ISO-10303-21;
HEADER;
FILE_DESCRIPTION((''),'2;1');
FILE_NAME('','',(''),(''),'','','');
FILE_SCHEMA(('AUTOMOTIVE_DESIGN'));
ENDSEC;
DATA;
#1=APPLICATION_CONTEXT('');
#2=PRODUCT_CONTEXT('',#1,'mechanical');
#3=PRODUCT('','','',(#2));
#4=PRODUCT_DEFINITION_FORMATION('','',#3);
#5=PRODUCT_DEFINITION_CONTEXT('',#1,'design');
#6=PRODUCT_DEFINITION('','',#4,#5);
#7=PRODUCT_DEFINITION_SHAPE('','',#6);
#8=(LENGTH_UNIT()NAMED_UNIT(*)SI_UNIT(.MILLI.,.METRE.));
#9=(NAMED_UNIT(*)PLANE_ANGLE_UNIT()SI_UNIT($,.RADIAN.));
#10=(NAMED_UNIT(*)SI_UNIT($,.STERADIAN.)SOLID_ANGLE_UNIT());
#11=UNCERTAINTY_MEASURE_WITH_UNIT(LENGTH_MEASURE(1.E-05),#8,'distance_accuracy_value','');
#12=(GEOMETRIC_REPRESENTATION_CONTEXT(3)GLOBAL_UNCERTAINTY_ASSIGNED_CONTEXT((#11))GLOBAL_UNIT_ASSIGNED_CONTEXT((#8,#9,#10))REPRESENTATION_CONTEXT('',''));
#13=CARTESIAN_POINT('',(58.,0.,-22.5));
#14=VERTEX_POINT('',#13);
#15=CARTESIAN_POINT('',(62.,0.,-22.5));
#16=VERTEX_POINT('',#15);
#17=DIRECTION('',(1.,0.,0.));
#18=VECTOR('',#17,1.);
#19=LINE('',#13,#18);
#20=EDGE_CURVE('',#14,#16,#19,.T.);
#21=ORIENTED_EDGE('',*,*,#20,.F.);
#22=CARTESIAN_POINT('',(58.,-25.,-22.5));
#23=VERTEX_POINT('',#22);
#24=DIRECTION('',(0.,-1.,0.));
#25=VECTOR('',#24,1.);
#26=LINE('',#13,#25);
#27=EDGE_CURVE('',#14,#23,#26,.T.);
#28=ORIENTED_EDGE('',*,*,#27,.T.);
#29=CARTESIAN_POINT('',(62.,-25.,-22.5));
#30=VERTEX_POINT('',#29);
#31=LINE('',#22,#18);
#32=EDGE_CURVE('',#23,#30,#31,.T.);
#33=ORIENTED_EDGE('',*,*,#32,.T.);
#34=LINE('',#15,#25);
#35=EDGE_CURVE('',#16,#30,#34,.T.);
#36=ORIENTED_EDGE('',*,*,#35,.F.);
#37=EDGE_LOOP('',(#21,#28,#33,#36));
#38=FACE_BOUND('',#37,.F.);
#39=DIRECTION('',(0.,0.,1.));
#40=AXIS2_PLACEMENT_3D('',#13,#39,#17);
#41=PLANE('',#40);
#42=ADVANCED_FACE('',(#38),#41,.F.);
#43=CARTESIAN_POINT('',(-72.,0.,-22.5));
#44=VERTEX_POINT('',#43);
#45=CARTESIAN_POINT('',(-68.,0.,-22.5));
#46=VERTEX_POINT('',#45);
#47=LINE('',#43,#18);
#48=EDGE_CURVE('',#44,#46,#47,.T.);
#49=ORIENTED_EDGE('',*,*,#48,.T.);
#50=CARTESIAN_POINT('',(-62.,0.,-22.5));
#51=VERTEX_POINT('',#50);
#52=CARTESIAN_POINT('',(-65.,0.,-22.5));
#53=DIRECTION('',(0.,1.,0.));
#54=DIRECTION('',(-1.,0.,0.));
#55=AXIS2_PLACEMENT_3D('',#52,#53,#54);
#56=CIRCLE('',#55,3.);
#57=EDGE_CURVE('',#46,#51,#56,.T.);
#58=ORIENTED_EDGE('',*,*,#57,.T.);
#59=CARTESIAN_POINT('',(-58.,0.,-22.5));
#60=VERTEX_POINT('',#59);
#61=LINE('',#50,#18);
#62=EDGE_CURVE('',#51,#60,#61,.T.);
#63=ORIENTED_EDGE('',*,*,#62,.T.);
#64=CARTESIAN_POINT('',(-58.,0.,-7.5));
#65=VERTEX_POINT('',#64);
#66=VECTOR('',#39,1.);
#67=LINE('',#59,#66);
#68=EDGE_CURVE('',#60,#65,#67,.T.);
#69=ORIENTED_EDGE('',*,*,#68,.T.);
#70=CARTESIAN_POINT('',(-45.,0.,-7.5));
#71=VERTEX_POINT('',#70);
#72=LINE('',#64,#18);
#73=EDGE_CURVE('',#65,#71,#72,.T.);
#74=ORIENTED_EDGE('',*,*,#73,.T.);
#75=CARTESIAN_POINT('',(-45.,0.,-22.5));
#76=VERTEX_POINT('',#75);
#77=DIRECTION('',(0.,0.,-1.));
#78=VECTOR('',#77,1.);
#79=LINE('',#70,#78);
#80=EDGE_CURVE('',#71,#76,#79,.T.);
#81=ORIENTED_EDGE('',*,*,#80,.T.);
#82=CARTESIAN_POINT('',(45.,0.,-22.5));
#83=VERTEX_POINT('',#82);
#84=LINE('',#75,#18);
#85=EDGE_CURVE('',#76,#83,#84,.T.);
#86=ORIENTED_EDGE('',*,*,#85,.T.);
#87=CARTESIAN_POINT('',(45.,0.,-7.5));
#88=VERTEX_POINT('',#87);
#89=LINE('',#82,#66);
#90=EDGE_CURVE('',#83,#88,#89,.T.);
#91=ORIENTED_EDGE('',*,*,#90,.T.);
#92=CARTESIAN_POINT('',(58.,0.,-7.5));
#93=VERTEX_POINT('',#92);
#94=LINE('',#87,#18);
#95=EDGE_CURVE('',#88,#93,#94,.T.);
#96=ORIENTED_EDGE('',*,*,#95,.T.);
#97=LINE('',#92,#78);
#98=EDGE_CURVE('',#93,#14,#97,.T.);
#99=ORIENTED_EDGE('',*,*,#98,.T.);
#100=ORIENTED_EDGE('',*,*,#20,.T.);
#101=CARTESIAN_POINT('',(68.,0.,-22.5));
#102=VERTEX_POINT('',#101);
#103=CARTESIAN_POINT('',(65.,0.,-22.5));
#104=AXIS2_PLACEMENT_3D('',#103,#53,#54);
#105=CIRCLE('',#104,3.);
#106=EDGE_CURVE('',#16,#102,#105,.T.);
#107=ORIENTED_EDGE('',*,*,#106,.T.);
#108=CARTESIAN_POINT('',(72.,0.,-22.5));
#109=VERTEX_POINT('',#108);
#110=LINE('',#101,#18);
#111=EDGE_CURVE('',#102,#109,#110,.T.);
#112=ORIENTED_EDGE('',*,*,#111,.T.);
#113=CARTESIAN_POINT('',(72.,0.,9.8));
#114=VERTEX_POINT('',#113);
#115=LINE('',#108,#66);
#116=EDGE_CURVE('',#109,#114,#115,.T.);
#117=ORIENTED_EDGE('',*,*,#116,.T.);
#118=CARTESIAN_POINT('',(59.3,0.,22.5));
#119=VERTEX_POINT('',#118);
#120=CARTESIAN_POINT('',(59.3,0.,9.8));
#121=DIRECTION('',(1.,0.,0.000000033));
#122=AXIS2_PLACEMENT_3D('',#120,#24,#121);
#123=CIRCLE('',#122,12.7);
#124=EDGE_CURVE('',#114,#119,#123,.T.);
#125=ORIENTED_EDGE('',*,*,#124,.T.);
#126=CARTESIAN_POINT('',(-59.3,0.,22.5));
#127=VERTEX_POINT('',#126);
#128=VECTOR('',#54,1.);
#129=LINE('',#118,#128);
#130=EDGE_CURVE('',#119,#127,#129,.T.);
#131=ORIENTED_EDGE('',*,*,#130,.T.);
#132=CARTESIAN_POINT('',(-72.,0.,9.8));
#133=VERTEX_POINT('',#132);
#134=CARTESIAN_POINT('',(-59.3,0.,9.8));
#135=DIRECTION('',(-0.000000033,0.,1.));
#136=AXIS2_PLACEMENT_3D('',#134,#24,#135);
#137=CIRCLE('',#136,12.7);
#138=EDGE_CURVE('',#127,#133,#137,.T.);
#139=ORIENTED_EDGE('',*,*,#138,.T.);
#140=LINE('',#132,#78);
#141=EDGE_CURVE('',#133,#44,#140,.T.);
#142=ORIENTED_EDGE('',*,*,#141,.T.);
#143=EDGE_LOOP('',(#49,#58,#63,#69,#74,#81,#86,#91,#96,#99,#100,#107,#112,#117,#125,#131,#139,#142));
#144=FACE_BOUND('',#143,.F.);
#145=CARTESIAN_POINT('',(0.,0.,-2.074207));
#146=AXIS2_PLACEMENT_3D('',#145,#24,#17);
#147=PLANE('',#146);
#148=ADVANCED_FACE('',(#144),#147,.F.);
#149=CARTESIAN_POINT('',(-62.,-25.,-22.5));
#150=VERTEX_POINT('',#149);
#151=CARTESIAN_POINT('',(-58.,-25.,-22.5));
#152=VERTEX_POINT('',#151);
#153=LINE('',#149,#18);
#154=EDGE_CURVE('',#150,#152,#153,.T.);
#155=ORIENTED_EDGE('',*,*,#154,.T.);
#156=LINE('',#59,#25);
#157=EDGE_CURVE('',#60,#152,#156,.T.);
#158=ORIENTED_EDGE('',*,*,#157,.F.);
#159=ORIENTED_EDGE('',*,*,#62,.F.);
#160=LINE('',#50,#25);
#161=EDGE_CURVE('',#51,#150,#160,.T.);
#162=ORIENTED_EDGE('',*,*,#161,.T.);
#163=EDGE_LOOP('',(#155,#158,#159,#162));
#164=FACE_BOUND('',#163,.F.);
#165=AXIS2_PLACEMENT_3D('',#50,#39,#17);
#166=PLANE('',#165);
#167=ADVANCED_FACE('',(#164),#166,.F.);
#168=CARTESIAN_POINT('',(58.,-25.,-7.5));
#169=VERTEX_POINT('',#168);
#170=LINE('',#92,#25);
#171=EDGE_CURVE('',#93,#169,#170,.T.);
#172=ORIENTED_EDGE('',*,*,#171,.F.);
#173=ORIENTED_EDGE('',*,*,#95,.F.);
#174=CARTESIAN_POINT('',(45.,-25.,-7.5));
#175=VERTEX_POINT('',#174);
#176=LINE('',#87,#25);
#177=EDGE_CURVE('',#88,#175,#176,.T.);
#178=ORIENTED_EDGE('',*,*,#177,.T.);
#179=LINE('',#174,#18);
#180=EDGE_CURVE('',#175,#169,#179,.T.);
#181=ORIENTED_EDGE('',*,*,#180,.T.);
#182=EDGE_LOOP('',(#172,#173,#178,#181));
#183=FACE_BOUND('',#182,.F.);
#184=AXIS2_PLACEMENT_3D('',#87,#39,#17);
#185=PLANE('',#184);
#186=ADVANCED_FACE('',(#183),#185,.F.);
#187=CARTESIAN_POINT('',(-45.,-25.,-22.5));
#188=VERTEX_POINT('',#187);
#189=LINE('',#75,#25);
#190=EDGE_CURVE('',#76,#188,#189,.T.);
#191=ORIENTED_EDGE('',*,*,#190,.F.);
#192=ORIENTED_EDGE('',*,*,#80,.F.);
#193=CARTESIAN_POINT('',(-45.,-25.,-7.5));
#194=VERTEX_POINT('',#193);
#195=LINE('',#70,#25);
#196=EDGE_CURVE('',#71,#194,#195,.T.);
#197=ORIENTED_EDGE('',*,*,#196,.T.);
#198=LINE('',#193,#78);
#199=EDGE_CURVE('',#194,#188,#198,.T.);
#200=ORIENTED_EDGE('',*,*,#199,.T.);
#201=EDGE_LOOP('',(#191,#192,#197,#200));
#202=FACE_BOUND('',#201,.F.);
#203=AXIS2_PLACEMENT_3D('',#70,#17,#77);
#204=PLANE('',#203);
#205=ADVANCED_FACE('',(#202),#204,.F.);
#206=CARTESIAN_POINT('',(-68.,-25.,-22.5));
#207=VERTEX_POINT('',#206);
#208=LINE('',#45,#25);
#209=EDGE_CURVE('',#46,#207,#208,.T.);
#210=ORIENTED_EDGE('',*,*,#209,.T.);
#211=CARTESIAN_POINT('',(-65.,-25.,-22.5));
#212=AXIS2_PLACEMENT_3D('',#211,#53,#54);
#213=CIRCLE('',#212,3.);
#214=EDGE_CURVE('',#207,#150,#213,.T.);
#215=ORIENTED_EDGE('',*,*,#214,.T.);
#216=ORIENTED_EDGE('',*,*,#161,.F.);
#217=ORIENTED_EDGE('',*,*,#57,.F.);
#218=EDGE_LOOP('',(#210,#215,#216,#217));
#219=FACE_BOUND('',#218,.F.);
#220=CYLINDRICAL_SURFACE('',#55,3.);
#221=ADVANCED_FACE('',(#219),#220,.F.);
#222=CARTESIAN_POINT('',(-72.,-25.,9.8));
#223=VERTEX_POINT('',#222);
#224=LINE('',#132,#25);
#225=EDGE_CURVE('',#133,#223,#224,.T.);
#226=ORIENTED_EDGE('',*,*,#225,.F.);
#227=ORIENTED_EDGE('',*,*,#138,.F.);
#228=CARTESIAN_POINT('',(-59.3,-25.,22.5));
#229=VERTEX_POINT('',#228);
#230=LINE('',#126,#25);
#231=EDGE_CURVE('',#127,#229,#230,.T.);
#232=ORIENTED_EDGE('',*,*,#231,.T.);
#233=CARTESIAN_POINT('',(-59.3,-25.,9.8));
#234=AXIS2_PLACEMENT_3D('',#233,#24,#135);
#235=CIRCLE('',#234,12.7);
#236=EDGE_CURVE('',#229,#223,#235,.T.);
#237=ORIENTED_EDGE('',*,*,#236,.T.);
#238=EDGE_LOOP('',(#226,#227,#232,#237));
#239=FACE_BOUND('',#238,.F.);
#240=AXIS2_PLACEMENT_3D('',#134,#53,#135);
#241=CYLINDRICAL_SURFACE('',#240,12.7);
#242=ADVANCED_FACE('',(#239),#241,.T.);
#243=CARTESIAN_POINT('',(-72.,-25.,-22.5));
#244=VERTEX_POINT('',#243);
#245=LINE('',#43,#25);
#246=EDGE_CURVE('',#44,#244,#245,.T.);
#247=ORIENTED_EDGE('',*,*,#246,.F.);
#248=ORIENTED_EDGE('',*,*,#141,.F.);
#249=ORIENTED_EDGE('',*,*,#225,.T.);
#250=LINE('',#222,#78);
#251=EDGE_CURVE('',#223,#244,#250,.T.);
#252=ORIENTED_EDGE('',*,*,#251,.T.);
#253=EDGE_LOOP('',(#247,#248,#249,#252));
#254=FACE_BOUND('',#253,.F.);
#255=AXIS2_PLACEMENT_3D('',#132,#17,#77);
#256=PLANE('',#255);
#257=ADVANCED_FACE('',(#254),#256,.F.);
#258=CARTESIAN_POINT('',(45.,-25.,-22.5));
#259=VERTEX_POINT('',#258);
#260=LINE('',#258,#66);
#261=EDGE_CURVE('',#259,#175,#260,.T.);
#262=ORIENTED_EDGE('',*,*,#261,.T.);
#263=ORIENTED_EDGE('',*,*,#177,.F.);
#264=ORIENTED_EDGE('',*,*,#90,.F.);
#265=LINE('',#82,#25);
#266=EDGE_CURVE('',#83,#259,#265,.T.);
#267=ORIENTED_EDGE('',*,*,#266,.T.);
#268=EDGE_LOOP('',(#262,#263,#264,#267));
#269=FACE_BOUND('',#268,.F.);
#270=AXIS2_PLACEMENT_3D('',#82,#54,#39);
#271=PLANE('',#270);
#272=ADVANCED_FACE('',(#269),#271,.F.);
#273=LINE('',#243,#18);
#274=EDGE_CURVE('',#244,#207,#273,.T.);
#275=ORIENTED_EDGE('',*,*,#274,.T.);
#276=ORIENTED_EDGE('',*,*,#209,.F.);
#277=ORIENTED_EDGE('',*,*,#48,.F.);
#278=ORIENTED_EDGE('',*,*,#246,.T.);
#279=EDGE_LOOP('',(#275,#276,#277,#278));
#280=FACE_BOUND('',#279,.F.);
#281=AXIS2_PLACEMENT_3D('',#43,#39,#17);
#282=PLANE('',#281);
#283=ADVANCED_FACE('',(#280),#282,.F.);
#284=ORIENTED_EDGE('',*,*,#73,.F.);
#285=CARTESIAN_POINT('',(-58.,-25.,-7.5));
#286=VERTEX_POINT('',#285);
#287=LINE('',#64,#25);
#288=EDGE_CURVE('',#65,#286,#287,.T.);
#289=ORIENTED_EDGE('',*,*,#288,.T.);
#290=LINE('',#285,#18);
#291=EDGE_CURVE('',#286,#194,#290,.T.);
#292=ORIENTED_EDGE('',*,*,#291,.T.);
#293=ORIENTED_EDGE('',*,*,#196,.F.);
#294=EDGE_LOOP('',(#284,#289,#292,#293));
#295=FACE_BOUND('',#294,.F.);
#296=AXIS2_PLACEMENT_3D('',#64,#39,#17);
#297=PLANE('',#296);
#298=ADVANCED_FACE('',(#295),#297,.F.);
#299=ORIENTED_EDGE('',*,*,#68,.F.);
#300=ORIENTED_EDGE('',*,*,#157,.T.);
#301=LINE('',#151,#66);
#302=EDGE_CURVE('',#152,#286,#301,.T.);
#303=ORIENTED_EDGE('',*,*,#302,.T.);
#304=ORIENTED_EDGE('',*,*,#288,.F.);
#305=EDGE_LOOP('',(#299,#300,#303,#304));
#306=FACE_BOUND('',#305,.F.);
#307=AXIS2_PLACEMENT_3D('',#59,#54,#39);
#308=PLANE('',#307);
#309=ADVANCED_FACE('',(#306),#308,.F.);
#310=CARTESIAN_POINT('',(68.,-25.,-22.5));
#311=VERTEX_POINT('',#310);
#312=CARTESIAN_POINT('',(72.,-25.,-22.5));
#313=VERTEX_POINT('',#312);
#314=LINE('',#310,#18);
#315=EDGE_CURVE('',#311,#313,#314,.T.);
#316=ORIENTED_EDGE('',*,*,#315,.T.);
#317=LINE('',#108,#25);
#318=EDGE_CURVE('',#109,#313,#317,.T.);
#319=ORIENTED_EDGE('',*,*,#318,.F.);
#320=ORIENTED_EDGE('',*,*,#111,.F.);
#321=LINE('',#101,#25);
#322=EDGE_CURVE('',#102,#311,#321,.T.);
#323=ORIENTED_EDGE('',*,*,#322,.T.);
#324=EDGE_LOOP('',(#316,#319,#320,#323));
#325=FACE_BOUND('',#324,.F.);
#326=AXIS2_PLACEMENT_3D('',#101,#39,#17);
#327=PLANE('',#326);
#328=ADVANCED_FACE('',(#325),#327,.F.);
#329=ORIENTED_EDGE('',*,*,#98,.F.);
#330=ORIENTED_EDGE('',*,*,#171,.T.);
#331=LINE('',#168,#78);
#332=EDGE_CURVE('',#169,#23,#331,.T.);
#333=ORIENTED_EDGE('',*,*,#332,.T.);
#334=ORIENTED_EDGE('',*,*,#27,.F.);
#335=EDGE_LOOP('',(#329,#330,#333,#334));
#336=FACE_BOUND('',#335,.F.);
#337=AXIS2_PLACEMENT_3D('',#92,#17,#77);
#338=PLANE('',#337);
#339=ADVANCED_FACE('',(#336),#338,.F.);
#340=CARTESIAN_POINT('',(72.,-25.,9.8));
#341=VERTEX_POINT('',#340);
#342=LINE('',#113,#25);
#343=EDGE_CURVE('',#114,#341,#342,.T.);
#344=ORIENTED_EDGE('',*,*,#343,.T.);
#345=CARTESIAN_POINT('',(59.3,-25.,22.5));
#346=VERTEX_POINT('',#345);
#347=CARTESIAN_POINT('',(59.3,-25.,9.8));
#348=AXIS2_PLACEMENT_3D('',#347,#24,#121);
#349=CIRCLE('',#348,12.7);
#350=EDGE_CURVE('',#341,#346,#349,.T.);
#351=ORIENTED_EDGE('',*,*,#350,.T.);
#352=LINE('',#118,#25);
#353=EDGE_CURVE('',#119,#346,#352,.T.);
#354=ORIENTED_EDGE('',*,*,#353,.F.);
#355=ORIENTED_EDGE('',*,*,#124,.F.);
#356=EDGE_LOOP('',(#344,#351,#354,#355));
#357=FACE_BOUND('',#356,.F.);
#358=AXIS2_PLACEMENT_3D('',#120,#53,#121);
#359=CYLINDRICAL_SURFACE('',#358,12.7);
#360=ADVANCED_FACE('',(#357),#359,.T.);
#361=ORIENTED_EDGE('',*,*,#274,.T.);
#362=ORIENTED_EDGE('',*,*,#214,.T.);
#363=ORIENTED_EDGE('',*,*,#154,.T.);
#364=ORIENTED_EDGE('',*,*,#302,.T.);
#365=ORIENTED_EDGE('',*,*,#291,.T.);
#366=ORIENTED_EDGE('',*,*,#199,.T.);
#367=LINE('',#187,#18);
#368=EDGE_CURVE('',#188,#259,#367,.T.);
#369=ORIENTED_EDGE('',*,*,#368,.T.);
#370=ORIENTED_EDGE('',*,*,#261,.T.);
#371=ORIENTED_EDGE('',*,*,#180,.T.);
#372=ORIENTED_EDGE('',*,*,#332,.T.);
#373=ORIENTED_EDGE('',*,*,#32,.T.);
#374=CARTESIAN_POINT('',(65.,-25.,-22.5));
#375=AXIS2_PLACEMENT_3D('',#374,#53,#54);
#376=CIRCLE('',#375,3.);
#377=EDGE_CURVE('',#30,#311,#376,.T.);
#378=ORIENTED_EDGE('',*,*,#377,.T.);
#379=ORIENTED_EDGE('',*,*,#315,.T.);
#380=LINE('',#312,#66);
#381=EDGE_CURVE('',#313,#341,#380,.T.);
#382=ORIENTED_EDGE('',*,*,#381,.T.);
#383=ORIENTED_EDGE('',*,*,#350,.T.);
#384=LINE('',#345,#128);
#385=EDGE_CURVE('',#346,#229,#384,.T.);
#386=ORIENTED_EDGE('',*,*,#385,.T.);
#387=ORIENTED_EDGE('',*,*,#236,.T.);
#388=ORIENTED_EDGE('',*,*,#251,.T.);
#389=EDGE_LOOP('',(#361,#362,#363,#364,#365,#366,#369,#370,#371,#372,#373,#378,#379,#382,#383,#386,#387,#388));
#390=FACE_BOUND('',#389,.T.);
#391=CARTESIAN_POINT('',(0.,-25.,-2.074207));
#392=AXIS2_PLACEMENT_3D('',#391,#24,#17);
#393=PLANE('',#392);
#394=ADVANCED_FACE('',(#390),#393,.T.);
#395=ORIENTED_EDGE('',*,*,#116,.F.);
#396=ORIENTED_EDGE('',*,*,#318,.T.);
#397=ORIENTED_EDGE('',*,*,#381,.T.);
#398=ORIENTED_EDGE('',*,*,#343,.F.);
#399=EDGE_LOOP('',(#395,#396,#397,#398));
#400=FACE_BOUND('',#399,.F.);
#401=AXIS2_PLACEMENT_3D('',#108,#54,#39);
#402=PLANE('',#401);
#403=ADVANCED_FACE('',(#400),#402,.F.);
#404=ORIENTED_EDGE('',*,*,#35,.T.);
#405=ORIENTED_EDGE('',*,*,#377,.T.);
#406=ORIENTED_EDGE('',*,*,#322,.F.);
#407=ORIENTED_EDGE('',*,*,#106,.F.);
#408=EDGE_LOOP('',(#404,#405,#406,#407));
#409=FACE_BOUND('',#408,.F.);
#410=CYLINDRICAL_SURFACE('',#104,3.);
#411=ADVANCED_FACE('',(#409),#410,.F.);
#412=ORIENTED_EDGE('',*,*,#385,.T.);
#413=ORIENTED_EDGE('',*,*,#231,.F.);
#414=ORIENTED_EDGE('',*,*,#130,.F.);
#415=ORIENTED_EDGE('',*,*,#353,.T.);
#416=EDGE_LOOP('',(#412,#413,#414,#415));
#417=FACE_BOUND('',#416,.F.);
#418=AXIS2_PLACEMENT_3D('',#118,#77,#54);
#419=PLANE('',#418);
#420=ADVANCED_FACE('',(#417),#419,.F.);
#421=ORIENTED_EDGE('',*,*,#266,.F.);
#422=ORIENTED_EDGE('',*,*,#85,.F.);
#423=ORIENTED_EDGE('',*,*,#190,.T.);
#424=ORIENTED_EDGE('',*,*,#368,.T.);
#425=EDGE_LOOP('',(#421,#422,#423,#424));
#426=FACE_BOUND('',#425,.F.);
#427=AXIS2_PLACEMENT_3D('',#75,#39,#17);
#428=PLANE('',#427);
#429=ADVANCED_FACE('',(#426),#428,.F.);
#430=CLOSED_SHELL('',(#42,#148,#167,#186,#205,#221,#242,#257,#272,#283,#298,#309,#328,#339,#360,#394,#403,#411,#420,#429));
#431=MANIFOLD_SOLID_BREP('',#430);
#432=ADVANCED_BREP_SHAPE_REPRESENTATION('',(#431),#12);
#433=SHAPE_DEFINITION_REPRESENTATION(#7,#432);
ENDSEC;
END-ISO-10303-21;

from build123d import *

# Parameters (mm, degrees)
F1_DEPTH = 25


with BuildPart() as f1:
    # F0 (on Front) → F1 (new body)
    with BuildSketch(Plane.XZ):
        with BuildLine():
            ThreePointArc((72, 9.8), (68.280256, 18.780256), (59.3, 22.5))
            Line((59.3, 22.5), (-59.3, 22.5))
            ThreePointArc((-59.3, 22.5), (-68.280256, 18.780256), (-72, 9.8))
            Line((-72, 9.8), (-72, -22.5))
            Line((-72, -22.5), (-68, -22.5))
            ThreePointArc((-68, -22.5), (-65, -19.5), (-62, -22.5))
            Line((-62, -22.5), (-58, -22.5))
            Line((-58, -22.5), (-58, -7.5))
            Line((-58, -7.5), (-45, -7.5))
            Line((-45, -7.5), (-45, -22.5))
            Line((-45, -22.5), (45, -22.5))
            Line((45, -22.5), (45, -7.5))
            Line((45, -7.5), (58, -7.5))
            Line((58, -7.5), (58, -22.5))
            Line((58, -22.5), (62, -22.5))
            ThreePointArc((62, -22.5), (65, -19.5), (68, -22.5))
            Line((68, -22.5), (72, -22.5))
            Line((72, -22.5), (72, 9.8))
        make_face()
    extrude(amount=F1_DEPTH)


solid = f1.part
